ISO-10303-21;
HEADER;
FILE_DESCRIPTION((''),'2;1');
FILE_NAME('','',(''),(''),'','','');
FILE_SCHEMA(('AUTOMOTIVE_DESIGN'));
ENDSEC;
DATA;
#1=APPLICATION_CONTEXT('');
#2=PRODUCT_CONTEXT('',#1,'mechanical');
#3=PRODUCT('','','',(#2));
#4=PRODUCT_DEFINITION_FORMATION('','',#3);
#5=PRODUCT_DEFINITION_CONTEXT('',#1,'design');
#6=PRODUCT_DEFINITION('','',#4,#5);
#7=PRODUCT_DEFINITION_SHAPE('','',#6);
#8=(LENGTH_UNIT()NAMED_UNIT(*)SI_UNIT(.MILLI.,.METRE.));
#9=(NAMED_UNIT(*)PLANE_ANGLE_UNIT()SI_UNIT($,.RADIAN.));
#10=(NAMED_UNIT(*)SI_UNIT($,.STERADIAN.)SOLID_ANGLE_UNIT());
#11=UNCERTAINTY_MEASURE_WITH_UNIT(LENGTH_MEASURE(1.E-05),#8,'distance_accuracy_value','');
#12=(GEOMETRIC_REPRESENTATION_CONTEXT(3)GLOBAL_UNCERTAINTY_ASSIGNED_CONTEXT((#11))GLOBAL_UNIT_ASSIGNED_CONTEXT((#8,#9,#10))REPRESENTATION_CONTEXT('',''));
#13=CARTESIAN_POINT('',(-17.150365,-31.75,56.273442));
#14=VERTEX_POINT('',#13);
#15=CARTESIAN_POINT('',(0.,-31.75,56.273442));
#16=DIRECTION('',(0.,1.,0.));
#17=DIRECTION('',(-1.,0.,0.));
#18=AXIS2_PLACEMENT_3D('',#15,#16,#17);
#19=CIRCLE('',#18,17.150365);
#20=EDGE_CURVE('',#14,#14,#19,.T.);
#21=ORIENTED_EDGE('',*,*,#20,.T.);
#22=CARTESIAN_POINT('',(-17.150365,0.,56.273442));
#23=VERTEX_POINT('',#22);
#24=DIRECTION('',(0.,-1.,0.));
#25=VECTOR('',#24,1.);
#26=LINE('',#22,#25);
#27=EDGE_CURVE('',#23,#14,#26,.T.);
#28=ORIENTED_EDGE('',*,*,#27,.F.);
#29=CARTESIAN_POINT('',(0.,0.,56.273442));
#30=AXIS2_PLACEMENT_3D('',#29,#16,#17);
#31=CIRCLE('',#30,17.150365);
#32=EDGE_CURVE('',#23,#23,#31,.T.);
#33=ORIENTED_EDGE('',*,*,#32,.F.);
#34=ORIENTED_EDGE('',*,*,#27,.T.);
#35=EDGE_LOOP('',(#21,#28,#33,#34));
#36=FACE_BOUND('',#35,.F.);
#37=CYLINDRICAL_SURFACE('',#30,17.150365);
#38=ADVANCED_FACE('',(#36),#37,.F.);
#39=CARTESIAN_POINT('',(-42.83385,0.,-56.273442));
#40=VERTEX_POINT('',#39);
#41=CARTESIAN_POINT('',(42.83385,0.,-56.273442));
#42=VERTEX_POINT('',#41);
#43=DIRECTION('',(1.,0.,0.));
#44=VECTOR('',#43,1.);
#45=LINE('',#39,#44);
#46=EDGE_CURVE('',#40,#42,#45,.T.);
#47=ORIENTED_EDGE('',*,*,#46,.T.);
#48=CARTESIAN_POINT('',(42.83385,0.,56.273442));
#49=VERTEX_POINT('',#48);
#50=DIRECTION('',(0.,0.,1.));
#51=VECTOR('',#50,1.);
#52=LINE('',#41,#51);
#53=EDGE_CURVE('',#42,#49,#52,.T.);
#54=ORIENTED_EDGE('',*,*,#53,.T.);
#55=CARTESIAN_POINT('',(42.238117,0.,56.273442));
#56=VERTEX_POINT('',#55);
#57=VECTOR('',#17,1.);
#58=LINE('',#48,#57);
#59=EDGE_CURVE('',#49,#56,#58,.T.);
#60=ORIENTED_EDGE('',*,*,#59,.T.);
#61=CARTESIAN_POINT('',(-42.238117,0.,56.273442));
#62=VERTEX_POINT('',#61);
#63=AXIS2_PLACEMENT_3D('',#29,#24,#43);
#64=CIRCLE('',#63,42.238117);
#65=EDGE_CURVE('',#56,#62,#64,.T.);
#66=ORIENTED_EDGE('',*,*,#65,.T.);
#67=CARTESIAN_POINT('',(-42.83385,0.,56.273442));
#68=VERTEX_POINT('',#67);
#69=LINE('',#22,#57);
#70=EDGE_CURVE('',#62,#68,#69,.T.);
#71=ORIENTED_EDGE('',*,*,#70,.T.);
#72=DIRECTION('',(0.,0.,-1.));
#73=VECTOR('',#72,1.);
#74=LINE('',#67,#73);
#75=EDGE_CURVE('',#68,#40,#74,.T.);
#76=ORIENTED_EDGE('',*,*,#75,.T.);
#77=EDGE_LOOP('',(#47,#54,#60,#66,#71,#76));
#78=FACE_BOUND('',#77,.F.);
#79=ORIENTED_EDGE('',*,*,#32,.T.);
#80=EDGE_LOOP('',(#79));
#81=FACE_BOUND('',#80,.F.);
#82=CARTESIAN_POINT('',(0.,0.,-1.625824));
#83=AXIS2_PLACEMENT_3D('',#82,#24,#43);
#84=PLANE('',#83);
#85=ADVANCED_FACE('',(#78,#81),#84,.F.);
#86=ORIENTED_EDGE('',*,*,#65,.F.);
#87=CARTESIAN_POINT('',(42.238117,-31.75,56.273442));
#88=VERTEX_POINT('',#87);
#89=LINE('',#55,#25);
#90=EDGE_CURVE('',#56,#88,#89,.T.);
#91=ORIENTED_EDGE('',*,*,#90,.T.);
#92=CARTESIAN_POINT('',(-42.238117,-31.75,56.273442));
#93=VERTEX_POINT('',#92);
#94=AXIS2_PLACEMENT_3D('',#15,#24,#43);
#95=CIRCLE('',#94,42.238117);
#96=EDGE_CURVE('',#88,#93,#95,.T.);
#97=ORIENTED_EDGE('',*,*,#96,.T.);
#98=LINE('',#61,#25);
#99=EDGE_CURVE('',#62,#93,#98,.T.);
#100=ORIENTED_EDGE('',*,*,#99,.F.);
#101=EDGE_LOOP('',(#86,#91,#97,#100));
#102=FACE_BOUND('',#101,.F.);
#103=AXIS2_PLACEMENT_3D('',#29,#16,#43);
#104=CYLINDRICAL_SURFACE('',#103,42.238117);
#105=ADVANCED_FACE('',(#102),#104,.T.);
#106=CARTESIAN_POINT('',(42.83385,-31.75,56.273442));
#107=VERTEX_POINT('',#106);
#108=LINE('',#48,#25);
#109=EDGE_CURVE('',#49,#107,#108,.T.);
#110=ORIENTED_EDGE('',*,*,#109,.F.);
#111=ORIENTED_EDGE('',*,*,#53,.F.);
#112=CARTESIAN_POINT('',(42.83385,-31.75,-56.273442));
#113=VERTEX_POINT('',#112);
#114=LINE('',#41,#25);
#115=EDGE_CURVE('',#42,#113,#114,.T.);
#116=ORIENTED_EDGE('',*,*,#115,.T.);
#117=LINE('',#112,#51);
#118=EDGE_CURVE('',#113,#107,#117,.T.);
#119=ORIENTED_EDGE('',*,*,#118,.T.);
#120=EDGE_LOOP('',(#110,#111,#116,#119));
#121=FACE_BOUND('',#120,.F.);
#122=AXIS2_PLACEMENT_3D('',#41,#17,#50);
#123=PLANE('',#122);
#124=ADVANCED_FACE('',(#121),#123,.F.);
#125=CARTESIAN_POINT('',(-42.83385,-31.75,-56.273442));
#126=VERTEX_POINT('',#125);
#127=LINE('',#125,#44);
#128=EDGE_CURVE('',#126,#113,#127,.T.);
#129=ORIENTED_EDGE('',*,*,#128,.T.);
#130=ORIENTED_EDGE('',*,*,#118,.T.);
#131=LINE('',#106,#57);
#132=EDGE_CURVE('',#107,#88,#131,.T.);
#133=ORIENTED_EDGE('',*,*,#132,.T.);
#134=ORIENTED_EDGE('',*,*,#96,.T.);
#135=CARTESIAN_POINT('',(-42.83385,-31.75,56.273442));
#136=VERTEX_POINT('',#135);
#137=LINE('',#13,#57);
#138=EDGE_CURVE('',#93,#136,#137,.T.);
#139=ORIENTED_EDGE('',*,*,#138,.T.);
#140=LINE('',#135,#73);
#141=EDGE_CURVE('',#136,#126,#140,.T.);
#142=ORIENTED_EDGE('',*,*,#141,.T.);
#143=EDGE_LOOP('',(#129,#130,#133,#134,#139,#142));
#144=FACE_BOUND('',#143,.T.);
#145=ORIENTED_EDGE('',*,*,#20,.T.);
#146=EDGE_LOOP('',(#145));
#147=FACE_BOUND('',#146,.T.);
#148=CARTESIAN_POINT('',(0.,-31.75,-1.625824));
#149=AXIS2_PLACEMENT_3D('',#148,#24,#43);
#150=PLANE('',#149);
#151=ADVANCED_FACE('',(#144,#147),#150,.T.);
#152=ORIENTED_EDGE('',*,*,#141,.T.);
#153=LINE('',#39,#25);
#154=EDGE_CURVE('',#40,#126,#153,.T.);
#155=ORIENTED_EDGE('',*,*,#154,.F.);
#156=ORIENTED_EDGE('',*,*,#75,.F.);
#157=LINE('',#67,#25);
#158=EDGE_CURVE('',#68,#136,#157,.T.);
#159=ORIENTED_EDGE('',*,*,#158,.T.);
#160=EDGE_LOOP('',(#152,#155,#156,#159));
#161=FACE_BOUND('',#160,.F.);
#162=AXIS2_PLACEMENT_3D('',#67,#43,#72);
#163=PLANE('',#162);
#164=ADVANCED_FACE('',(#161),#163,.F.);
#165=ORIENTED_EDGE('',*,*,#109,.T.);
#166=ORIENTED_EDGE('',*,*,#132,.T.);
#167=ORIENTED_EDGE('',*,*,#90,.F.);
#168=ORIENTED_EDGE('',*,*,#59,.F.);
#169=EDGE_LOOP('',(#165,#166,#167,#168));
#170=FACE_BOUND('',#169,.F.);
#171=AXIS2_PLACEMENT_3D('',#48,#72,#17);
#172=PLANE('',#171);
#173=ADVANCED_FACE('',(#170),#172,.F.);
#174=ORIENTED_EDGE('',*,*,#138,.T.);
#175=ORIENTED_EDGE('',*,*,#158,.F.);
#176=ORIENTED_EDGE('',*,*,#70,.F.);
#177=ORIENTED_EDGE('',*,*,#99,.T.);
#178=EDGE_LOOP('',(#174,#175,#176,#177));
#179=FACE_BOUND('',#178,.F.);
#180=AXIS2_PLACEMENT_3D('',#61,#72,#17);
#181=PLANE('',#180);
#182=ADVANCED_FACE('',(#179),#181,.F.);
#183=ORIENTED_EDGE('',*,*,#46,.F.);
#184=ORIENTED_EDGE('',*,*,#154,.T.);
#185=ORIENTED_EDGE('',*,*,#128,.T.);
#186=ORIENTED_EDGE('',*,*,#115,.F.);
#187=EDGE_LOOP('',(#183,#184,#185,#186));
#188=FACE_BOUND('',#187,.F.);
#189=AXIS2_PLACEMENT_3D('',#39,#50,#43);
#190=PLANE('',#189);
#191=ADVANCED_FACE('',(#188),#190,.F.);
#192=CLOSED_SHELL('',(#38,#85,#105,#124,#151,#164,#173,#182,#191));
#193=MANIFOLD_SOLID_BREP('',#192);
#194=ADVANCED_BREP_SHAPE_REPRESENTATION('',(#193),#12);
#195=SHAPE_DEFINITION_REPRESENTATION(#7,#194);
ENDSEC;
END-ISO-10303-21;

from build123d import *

# Parameters (mm, degrees)
F1_DEPTH = 31.75


with BuildPart() as f1:
    # F0 (on Front) → F1 (new body)
    with BuildSketch(Plane.XZ):
        with BuildLine():
            Line((42.8338497877, 56.2734417617), (42.2381167116, 56.2734417617))
            ThreePointArc((42.2381167116, 56.2734417617), (0, 14.0353250501), (-42.2381167116, 56.2734417617))
            Line((-42.2381167116, 56.2734417617), (-42.8338497877, 56.2734417617))
            Line((-42.8338497877, 56.2734417617), (-42.8338497877, -56.2734417617))
            Line((-42.8338497877, -56.2734417617), (42.8338497877, -56.2734417617))
            Line((42.8338497877, -56.2734417617), (42.8338497877, 56.2734417617))
        make_face()
        with BuildLine():
            Line((42.2381167116, 56.2734417617), (17.1503652003, 56.2734417617))
            ThreePointArc((17.1503652003, 56.2734417617), (0, 39.1230765614), (-17.1503652003, 56.2734417617))
            Line((-17.1503652003, 56.2734417617), (-42.2381167116, 56.2734417617))
            ThreePointArc((-42.2381167116, 56.2734417617), (0, 14.0353250501), (42.2381167116, 56.2734417617))
        make_face()
        with BuildLine():
            ThreePointArc((-17.1503652003, 56.2734417617), (0, 73.423806962), (17.1503652003, 56.2734417617))
            Line((17.1503652003, 56.2734417617), (42.2381167116, 56.2734417617))
            ThreePointArc((42.2381167116, 56.2734417617), (0, 98.5115584733), (-42.2381167116, 56.2734417617))
            Line((-42.2381167116, 56.2734417617), (-17.1503652003, 56.2734417617))
        make_face()
    extrude(amount=F1_DEPTH)


solid = f1.part
